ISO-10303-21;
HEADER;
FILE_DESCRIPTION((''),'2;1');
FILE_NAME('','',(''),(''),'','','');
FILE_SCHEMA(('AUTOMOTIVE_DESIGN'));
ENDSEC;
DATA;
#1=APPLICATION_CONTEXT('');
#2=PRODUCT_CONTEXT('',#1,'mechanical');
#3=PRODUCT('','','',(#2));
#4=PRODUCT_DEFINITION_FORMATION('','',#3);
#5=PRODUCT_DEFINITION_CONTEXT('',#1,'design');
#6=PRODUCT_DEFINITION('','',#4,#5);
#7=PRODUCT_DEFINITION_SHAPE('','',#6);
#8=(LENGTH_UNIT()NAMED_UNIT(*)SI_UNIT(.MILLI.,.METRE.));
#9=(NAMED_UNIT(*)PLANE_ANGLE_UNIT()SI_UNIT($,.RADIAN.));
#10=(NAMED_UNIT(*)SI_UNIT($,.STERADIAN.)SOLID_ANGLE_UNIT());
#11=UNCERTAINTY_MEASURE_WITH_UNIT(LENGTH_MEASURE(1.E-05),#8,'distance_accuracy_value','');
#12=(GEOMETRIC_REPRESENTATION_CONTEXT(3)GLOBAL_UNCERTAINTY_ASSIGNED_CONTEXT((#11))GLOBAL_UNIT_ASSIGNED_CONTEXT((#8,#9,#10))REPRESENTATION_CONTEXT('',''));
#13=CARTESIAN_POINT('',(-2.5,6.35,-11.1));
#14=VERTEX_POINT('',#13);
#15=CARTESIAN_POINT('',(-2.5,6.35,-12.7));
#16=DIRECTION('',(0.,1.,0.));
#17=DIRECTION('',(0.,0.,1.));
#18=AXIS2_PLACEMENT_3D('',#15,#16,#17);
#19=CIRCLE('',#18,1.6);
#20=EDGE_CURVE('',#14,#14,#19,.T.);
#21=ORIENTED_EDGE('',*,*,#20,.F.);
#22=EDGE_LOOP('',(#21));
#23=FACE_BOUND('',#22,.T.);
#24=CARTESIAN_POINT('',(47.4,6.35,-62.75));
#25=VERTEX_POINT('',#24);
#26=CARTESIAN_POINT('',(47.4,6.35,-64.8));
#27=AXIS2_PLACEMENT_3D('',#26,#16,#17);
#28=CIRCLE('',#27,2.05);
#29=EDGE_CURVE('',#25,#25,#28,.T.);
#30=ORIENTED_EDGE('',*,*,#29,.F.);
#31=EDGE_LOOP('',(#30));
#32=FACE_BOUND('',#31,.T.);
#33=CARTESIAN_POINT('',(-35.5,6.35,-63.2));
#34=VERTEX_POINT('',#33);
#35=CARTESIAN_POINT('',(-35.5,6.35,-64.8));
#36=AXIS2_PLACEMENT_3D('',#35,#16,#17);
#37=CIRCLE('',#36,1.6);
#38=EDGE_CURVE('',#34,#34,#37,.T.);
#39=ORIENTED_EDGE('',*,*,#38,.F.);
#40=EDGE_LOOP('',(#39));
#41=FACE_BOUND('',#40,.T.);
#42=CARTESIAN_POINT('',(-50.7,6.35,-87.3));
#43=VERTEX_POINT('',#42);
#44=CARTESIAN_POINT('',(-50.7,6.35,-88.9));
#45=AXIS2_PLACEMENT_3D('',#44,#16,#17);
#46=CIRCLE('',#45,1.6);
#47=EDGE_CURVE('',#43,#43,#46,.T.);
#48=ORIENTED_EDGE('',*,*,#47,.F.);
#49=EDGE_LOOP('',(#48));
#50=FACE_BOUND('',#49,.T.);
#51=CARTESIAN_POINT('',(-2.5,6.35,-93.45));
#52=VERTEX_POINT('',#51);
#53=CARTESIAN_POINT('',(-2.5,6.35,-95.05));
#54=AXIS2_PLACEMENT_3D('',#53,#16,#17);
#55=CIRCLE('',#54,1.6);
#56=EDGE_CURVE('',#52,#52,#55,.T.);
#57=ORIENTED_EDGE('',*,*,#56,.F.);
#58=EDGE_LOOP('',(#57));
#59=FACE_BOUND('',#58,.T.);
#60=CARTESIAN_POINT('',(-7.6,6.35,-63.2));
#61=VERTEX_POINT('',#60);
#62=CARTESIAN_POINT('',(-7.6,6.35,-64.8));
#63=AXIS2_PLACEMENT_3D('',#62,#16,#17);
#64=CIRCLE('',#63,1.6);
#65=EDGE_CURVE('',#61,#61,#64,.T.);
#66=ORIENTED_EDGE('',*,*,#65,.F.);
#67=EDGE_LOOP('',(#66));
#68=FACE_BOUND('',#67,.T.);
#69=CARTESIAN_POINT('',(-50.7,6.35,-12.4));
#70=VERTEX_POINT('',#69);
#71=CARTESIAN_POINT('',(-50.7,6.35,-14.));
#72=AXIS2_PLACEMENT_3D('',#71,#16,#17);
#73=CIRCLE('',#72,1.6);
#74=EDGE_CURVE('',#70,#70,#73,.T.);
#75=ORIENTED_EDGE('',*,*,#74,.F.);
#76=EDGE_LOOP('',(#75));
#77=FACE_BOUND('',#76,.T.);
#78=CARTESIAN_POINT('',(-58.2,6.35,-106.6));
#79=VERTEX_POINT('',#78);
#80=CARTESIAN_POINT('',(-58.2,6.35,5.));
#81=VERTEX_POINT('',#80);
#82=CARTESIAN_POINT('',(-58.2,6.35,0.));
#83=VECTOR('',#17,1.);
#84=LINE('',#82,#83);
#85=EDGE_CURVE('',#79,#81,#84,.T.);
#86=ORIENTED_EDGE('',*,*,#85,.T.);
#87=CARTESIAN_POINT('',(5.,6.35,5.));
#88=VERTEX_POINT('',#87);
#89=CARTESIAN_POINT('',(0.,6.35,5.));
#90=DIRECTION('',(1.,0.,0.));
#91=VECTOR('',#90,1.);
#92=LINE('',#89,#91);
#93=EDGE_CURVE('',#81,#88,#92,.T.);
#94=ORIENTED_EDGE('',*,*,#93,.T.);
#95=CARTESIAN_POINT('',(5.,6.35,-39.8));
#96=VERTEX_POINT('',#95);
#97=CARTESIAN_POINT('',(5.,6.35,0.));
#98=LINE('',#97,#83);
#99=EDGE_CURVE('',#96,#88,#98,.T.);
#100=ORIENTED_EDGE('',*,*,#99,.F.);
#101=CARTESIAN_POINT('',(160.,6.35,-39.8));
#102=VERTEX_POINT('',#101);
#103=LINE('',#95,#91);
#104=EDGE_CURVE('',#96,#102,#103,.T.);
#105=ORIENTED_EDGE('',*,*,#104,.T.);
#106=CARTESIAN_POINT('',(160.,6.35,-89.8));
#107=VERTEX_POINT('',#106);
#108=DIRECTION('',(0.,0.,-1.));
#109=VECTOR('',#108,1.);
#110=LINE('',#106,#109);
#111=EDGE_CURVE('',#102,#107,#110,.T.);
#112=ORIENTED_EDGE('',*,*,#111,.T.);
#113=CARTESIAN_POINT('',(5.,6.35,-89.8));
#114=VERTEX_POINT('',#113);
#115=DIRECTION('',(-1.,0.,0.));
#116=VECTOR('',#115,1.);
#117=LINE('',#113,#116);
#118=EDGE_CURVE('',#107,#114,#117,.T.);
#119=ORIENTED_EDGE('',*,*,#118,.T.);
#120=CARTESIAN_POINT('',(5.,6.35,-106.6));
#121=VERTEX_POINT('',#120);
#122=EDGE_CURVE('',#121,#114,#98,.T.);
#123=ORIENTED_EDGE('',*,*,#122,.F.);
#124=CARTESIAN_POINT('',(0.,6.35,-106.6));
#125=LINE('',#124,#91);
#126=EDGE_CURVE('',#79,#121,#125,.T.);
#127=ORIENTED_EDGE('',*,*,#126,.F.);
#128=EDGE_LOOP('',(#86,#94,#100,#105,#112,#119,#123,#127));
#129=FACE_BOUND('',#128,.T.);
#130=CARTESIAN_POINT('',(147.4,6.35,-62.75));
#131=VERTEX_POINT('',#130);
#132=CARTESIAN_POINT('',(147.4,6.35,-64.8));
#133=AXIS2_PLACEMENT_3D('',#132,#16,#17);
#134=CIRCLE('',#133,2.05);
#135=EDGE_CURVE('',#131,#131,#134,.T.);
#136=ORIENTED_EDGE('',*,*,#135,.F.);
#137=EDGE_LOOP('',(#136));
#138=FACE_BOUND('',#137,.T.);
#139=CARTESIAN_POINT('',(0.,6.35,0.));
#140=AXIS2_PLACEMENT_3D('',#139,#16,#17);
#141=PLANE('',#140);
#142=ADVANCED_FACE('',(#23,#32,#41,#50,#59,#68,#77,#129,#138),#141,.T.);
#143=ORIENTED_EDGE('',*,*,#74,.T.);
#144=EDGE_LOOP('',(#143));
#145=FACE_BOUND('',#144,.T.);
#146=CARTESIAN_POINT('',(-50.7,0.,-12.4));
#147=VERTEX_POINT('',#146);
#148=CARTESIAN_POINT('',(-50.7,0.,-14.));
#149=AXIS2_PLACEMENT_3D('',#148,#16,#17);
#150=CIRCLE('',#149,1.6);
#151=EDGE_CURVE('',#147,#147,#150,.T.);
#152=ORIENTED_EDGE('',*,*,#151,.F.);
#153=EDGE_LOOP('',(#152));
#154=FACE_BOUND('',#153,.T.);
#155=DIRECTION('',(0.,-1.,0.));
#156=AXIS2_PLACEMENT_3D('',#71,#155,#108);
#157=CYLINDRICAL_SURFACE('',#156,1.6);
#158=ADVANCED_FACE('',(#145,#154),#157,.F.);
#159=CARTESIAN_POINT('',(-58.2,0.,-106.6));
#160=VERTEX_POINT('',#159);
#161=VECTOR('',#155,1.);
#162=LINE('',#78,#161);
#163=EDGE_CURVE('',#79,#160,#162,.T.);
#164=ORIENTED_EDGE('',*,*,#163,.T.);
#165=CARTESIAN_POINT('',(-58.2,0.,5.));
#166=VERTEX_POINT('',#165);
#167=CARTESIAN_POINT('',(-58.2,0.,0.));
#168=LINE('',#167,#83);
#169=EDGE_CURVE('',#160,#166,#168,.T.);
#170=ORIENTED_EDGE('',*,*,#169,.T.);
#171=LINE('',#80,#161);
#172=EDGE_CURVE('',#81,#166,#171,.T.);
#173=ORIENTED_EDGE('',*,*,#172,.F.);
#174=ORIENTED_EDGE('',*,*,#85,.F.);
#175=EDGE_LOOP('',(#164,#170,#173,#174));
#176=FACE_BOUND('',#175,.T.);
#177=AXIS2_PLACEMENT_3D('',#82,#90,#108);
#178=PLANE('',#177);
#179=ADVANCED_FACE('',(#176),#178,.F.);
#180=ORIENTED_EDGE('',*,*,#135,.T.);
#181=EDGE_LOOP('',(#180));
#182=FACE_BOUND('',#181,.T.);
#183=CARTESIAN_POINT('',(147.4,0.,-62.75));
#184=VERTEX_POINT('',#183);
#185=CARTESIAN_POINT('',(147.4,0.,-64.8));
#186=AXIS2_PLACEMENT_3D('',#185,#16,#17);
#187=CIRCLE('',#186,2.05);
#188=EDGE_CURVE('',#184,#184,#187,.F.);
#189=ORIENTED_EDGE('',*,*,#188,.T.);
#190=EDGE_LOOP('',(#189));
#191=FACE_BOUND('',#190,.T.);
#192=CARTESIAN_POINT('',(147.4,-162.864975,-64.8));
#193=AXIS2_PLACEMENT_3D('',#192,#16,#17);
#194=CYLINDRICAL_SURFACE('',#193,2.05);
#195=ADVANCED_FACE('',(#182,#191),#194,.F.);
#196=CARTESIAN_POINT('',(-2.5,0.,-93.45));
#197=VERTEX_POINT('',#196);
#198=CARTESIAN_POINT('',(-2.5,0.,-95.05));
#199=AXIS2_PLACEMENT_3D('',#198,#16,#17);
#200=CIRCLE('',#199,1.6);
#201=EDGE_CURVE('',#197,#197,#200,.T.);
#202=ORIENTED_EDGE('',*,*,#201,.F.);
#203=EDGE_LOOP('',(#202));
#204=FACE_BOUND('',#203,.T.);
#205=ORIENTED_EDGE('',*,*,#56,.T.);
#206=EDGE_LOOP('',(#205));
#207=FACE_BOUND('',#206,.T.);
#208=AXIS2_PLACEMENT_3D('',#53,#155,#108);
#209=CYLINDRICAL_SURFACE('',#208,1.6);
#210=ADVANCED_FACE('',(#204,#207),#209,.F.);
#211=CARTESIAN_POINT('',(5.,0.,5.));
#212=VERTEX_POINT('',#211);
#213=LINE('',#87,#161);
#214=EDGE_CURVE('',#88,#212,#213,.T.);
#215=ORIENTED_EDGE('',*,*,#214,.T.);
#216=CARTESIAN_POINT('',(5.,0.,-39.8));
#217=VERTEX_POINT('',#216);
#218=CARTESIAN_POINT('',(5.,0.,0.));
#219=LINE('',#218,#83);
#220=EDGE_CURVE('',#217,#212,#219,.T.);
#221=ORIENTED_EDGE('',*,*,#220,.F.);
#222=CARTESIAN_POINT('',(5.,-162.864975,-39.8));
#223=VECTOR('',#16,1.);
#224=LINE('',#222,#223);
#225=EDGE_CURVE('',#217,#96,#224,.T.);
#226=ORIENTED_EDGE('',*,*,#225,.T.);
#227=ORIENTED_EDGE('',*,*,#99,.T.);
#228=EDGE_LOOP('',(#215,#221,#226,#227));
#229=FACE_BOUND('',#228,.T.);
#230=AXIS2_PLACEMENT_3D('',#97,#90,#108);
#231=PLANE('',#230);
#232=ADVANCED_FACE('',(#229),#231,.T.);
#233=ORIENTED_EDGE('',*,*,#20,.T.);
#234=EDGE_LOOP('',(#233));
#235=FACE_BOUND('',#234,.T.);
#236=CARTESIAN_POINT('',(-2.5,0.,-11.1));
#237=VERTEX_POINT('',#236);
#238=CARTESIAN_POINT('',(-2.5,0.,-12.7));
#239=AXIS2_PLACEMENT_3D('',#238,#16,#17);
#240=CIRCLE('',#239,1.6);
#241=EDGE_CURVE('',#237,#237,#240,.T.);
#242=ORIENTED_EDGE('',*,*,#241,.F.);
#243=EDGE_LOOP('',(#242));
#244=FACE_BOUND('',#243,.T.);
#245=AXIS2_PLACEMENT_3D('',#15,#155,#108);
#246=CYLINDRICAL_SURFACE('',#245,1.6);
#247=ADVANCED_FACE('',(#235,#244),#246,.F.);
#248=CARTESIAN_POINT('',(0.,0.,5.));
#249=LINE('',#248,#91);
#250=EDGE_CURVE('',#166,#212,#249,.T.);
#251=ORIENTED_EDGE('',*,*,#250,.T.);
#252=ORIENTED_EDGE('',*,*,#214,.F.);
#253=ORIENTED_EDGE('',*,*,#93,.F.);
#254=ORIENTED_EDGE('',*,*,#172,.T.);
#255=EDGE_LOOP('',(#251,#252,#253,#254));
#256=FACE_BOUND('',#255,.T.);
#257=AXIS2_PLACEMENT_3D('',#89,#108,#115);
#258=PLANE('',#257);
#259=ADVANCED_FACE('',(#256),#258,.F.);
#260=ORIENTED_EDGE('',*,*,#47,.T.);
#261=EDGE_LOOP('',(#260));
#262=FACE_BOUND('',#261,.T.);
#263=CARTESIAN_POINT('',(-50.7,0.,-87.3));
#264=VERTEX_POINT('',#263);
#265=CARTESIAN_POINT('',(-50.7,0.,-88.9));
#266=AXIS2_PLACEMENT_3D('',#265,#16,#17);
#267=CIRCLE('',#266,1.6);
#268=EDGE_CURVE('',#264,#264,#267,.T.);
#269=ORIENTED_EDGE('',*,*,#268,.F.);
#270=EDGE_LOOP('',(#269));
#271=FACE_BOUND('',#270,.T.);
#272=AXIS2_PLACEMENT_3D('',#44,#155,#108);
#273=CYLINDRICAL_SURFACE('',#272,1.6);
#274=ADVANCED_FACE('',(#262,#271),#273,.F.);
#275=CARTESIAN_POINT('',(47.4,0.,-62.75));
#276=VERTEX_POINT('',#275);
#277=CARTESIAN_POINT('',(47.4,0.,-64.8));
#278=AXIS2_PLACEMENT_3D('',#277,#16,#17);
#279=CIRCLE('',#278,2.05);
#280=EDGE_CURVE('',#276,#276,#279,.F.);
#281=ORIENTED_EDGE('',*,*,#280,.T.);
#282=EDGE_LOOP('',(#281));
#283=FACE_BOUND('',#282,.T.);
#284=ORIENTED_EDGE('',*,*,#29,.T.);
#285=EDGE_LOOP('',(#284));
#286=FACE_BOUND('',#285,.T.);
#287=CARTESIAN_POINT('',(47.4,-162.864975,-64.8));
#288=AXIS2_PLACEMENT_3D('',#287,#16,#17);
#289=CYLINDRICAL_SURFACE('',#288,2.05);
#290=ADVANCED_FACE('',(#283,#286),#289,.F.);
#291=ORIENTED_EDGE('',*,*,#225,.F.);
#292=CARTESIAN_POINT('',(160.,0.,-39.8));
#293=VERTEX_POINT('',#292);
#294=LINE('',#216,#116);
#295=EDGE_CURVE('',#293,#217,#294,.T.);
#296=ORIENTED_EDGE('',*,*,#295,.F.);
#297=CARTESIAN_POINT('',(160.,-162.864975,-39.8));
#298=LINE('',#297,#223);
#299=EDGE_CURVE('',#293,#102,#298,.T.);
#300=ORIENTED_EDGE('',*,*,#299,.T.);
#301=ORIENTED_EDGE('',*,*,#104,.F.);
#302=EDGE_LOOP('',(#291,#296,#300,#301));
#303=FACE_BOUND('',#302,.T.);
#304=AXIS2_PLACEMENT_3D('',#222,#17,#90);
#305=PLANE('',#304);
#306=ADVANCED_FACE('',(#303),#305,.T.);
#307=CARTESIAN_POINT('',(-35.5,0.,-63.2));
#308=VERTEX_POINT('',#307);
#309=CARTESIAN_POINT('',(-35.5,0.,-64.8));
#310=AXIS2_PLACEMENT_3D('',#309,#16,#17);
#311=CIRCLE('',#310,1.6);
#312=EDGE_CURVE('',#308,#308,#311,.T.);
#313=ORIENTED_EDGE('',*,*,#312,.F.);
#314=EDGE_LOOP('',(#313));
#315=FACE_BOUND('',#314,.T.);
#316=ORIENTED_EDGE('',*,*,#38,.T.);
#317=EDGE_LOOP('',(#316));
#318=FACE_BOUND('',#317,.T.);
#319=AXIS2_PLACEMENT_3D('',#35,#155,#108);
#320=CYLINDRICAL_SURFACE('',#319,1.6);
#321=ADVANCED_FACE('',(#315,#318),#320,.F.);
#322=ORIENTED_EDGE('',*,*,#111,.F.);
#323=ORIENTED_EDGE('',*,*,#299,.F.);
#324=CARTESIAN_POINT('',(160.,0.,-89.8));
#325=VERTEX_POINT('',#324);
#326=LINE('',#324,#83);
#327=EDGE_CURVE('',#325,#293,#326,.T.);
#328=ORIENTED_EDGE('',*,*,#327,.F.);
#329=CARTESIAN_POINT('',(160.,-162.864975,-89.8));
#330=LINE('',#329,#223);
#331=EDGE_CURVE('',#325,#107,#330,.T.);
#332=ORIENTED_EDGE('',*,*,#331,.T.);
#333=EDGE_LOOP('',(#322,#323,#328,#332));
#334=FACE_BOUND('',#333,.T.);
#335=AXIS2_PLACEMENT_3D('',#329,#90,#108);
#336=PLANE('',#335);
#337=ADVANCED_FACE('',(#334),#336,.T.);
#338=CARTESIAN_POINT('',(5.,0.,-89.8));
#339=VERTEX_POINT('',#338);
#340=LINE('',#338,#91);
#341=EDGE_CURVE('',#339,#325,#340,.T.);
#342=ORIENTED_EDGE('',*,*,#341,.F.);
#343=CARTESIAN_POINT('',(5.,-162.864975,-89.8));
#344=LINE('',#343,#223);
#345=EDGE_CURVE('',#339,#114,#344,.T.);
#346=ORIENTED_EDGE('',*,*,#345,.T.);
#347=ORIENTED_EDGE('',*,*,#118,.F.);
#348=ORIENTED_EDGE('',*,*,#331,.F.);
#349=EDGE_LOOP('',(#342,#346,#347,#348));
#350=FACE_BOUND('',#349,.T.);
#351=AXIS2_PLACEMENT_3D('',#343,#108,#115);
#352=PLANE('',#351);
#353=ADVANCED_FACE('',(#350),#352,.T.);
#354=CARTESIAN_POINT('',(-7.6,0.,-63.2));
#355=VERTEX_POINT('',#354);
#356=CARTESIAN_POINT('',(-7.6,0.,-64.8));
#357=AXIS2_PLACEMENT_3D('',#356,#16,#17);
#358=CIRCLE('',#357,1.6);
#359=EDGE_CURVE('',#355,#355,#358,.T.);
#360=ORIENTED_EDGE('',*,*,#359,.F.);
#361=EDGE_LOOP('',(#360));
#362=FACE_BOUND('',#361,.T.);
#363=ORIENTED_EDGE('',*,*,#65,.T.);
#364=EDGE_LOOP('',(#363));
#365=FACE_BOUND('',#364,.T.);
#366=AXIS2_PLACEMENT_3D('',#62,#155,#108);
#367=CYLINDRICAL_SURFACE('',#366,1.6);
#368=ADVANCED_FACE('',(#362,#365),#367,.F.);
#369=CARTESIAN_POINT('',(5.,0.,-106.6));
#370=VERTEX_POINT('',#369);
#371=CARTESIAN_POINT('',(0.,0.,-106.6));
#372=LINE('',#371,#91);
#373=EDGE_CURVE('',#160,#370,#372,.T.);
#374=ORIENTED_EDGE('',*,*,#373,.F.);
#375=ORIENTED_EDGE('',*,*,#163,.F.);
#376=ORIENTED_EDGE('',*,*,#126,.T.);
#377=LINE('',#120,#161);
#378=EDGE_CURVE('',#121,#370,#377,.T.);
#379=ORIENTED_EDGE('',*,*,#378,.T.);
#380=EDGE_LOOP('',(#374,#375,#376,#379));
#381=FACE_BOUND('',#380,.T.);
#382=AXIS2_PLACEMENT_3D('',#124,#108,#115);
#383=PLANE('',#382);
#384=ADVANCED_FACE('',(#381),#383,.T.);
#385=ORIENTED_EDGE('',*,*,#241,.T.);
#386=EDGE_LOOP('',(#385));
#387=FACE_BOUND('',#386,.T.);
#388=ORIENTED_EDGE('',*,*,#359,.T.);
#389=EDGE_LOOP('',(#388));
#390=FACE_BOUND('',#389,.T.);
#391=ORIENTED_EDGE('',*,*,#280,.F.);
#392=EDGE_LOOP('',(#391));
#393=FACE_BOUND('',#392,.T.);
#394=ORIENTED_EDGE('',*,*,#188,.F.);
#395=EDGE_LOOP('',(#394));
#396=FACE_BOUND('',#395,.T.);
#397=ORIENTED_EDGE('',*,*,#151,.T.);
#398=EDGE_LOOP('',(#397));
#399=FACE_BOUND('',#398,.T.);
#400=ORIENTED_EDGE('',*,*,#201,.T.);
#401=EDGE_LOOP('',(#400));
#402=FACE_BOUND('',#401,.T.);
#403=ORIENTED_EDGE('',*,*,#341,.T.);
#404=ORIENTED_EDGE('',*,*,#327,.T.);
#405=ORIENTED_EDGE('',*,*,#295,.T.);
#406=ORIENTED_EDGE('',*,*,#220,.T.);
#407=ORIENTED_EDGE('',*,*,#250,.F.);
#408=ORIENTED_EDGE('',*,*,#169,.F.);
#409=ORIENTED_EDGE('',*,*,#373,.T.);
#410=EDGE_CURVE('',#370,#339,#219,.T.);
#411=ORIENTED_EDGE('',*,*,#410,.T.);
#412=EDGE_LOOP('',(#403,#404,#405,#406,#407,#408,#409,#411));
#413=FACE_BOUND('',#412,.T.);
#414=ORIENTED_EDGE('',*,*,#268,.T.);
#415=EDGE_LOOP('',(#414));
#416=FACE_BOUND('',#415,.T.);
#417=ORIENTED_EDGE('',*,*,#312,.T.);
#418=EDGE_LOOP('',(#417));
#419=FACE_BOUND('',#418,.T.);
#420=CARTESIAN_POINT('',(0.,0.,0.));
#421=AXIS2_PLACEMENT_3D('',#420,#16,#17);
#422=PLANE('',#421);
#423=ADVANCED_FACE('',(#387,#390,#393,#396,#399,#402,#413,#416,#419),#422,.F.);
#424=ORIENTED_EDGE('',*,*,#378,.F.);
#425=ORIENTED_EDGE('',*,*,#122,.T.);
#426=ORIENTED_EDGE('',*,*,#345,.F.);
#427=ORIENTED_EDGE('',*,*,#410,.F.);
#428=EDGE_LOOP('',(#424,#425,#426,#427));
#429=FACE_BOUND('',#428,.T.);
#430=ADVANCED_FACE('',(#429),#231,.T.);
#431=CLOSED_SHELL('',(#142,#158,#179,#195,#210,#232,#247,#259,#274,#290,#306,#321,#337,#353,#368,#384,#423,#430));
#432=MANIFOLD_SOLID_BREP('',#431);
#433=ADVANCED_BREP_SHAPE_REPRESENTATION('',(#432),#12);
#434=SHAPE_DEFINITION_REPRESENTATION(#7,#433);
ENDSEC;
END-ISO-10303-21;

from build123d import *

# Parameters (mm, degrees)
SKETCH1_W           = 63.2
SKETCH1_H           = 111.6
SKETCH1_W_2         = 53.2
SKETCH1_H_2         = 101.6
SKETCH1_R           = 1.6
BOSS_EXTRUDE1_DEPTH = 6.35
SKETCH2_W           = 155
SKETCH2_H           = 50
SKETCH2_R           = 2.05
BOSS_EXTRUDE2_DEPTH = 6.35


with BuildPart() as part:
    # Sketch1 → Boss-Extrude1 (new body)
    # profile 1 of 2: a face of its own
    with BuildSketch(Plane(origin=(0, 0, 0), x_dir=(1, 0, 0), z_dir=(0, 1, 0))):
        with Locations((-26.6, 50.8)):
            Rectangle(SKETCH1_W, SKETCH1_H)
        with Locations((-26.6, 50.8)):
            Rectangle(SKETCH1_W_2, SKETCH1_H_2, mode=Mode.SUBTRACT)
    # profile 2 of 2: a face of its own
    with BuildSketch(Plane(origin=(0, 0, 0), x_dir=(1, 0, 0), z_dir=(0, 1, 0))):
        with Locations((-26.6, 50.8)):
            Rectangle(SKETCH1_W_2, SKETCH1_H_2)
        with Locations(Location((-2.5, 12.7, 0), (0, 0, 270))):
            Circle(SKETCH1_R, mode=Mode.SUBTRACT)
        with Locations(Location((-50.7, 14, 0), (0, 0, 270))):
            Circle(SKETCH1_R, mode=Mode.SUBTRACT)
        with Locations(Location((-7.6, 64.8, 0), (0, 0, 270))):
            Circle(SKETCH1_R, mode=Mode.SUBTRACT)
        with Locations(Location((-35.5, 64.8, 0), (0, 0, 270))):
            Circle(SKETCH1_R, mode=Mode.SUBTRACT)
        with Locations(Location((-2.5, 95.05, 0), (0, 0, 270))):
            Circle(SKETCH1_R, mode=Mode.SUBTRACT)
        with Locations(Location((-50.7, 88.9, 0), (0, 0, 270))):
            Circle(SKETCH1_R, mode=Mode.SUBTRACT)
    extrude(amount=BOSS_EXTRUDE1_DEPTH)

    # Sketch2 → Boss-Extrude2 (add)
    with BuildSketch(Plane(origin=(0, 6.35, 0), x_dir=(1, 0, 0), z_dir=(0, 1, 0))):
        with Locations((82.5, 64.8)):
            Rectangle(SKETCH2_W, SKETCH2_H)
        with Locations(Location((47.4, 64.8, 0), (0, 0, 270))):
            Circle(SKETCH2_R, mode=Mode.SUBTRACT)
        with Locations(Location((147.4, 64.8, 0), (0, 0, 270))):
            Circle(SKETCH2_R, mode=Mode.SUBTRACT)
    extrude(amount=-BOSS_EXTRUDE2_DEPTH)


solid = part.part
